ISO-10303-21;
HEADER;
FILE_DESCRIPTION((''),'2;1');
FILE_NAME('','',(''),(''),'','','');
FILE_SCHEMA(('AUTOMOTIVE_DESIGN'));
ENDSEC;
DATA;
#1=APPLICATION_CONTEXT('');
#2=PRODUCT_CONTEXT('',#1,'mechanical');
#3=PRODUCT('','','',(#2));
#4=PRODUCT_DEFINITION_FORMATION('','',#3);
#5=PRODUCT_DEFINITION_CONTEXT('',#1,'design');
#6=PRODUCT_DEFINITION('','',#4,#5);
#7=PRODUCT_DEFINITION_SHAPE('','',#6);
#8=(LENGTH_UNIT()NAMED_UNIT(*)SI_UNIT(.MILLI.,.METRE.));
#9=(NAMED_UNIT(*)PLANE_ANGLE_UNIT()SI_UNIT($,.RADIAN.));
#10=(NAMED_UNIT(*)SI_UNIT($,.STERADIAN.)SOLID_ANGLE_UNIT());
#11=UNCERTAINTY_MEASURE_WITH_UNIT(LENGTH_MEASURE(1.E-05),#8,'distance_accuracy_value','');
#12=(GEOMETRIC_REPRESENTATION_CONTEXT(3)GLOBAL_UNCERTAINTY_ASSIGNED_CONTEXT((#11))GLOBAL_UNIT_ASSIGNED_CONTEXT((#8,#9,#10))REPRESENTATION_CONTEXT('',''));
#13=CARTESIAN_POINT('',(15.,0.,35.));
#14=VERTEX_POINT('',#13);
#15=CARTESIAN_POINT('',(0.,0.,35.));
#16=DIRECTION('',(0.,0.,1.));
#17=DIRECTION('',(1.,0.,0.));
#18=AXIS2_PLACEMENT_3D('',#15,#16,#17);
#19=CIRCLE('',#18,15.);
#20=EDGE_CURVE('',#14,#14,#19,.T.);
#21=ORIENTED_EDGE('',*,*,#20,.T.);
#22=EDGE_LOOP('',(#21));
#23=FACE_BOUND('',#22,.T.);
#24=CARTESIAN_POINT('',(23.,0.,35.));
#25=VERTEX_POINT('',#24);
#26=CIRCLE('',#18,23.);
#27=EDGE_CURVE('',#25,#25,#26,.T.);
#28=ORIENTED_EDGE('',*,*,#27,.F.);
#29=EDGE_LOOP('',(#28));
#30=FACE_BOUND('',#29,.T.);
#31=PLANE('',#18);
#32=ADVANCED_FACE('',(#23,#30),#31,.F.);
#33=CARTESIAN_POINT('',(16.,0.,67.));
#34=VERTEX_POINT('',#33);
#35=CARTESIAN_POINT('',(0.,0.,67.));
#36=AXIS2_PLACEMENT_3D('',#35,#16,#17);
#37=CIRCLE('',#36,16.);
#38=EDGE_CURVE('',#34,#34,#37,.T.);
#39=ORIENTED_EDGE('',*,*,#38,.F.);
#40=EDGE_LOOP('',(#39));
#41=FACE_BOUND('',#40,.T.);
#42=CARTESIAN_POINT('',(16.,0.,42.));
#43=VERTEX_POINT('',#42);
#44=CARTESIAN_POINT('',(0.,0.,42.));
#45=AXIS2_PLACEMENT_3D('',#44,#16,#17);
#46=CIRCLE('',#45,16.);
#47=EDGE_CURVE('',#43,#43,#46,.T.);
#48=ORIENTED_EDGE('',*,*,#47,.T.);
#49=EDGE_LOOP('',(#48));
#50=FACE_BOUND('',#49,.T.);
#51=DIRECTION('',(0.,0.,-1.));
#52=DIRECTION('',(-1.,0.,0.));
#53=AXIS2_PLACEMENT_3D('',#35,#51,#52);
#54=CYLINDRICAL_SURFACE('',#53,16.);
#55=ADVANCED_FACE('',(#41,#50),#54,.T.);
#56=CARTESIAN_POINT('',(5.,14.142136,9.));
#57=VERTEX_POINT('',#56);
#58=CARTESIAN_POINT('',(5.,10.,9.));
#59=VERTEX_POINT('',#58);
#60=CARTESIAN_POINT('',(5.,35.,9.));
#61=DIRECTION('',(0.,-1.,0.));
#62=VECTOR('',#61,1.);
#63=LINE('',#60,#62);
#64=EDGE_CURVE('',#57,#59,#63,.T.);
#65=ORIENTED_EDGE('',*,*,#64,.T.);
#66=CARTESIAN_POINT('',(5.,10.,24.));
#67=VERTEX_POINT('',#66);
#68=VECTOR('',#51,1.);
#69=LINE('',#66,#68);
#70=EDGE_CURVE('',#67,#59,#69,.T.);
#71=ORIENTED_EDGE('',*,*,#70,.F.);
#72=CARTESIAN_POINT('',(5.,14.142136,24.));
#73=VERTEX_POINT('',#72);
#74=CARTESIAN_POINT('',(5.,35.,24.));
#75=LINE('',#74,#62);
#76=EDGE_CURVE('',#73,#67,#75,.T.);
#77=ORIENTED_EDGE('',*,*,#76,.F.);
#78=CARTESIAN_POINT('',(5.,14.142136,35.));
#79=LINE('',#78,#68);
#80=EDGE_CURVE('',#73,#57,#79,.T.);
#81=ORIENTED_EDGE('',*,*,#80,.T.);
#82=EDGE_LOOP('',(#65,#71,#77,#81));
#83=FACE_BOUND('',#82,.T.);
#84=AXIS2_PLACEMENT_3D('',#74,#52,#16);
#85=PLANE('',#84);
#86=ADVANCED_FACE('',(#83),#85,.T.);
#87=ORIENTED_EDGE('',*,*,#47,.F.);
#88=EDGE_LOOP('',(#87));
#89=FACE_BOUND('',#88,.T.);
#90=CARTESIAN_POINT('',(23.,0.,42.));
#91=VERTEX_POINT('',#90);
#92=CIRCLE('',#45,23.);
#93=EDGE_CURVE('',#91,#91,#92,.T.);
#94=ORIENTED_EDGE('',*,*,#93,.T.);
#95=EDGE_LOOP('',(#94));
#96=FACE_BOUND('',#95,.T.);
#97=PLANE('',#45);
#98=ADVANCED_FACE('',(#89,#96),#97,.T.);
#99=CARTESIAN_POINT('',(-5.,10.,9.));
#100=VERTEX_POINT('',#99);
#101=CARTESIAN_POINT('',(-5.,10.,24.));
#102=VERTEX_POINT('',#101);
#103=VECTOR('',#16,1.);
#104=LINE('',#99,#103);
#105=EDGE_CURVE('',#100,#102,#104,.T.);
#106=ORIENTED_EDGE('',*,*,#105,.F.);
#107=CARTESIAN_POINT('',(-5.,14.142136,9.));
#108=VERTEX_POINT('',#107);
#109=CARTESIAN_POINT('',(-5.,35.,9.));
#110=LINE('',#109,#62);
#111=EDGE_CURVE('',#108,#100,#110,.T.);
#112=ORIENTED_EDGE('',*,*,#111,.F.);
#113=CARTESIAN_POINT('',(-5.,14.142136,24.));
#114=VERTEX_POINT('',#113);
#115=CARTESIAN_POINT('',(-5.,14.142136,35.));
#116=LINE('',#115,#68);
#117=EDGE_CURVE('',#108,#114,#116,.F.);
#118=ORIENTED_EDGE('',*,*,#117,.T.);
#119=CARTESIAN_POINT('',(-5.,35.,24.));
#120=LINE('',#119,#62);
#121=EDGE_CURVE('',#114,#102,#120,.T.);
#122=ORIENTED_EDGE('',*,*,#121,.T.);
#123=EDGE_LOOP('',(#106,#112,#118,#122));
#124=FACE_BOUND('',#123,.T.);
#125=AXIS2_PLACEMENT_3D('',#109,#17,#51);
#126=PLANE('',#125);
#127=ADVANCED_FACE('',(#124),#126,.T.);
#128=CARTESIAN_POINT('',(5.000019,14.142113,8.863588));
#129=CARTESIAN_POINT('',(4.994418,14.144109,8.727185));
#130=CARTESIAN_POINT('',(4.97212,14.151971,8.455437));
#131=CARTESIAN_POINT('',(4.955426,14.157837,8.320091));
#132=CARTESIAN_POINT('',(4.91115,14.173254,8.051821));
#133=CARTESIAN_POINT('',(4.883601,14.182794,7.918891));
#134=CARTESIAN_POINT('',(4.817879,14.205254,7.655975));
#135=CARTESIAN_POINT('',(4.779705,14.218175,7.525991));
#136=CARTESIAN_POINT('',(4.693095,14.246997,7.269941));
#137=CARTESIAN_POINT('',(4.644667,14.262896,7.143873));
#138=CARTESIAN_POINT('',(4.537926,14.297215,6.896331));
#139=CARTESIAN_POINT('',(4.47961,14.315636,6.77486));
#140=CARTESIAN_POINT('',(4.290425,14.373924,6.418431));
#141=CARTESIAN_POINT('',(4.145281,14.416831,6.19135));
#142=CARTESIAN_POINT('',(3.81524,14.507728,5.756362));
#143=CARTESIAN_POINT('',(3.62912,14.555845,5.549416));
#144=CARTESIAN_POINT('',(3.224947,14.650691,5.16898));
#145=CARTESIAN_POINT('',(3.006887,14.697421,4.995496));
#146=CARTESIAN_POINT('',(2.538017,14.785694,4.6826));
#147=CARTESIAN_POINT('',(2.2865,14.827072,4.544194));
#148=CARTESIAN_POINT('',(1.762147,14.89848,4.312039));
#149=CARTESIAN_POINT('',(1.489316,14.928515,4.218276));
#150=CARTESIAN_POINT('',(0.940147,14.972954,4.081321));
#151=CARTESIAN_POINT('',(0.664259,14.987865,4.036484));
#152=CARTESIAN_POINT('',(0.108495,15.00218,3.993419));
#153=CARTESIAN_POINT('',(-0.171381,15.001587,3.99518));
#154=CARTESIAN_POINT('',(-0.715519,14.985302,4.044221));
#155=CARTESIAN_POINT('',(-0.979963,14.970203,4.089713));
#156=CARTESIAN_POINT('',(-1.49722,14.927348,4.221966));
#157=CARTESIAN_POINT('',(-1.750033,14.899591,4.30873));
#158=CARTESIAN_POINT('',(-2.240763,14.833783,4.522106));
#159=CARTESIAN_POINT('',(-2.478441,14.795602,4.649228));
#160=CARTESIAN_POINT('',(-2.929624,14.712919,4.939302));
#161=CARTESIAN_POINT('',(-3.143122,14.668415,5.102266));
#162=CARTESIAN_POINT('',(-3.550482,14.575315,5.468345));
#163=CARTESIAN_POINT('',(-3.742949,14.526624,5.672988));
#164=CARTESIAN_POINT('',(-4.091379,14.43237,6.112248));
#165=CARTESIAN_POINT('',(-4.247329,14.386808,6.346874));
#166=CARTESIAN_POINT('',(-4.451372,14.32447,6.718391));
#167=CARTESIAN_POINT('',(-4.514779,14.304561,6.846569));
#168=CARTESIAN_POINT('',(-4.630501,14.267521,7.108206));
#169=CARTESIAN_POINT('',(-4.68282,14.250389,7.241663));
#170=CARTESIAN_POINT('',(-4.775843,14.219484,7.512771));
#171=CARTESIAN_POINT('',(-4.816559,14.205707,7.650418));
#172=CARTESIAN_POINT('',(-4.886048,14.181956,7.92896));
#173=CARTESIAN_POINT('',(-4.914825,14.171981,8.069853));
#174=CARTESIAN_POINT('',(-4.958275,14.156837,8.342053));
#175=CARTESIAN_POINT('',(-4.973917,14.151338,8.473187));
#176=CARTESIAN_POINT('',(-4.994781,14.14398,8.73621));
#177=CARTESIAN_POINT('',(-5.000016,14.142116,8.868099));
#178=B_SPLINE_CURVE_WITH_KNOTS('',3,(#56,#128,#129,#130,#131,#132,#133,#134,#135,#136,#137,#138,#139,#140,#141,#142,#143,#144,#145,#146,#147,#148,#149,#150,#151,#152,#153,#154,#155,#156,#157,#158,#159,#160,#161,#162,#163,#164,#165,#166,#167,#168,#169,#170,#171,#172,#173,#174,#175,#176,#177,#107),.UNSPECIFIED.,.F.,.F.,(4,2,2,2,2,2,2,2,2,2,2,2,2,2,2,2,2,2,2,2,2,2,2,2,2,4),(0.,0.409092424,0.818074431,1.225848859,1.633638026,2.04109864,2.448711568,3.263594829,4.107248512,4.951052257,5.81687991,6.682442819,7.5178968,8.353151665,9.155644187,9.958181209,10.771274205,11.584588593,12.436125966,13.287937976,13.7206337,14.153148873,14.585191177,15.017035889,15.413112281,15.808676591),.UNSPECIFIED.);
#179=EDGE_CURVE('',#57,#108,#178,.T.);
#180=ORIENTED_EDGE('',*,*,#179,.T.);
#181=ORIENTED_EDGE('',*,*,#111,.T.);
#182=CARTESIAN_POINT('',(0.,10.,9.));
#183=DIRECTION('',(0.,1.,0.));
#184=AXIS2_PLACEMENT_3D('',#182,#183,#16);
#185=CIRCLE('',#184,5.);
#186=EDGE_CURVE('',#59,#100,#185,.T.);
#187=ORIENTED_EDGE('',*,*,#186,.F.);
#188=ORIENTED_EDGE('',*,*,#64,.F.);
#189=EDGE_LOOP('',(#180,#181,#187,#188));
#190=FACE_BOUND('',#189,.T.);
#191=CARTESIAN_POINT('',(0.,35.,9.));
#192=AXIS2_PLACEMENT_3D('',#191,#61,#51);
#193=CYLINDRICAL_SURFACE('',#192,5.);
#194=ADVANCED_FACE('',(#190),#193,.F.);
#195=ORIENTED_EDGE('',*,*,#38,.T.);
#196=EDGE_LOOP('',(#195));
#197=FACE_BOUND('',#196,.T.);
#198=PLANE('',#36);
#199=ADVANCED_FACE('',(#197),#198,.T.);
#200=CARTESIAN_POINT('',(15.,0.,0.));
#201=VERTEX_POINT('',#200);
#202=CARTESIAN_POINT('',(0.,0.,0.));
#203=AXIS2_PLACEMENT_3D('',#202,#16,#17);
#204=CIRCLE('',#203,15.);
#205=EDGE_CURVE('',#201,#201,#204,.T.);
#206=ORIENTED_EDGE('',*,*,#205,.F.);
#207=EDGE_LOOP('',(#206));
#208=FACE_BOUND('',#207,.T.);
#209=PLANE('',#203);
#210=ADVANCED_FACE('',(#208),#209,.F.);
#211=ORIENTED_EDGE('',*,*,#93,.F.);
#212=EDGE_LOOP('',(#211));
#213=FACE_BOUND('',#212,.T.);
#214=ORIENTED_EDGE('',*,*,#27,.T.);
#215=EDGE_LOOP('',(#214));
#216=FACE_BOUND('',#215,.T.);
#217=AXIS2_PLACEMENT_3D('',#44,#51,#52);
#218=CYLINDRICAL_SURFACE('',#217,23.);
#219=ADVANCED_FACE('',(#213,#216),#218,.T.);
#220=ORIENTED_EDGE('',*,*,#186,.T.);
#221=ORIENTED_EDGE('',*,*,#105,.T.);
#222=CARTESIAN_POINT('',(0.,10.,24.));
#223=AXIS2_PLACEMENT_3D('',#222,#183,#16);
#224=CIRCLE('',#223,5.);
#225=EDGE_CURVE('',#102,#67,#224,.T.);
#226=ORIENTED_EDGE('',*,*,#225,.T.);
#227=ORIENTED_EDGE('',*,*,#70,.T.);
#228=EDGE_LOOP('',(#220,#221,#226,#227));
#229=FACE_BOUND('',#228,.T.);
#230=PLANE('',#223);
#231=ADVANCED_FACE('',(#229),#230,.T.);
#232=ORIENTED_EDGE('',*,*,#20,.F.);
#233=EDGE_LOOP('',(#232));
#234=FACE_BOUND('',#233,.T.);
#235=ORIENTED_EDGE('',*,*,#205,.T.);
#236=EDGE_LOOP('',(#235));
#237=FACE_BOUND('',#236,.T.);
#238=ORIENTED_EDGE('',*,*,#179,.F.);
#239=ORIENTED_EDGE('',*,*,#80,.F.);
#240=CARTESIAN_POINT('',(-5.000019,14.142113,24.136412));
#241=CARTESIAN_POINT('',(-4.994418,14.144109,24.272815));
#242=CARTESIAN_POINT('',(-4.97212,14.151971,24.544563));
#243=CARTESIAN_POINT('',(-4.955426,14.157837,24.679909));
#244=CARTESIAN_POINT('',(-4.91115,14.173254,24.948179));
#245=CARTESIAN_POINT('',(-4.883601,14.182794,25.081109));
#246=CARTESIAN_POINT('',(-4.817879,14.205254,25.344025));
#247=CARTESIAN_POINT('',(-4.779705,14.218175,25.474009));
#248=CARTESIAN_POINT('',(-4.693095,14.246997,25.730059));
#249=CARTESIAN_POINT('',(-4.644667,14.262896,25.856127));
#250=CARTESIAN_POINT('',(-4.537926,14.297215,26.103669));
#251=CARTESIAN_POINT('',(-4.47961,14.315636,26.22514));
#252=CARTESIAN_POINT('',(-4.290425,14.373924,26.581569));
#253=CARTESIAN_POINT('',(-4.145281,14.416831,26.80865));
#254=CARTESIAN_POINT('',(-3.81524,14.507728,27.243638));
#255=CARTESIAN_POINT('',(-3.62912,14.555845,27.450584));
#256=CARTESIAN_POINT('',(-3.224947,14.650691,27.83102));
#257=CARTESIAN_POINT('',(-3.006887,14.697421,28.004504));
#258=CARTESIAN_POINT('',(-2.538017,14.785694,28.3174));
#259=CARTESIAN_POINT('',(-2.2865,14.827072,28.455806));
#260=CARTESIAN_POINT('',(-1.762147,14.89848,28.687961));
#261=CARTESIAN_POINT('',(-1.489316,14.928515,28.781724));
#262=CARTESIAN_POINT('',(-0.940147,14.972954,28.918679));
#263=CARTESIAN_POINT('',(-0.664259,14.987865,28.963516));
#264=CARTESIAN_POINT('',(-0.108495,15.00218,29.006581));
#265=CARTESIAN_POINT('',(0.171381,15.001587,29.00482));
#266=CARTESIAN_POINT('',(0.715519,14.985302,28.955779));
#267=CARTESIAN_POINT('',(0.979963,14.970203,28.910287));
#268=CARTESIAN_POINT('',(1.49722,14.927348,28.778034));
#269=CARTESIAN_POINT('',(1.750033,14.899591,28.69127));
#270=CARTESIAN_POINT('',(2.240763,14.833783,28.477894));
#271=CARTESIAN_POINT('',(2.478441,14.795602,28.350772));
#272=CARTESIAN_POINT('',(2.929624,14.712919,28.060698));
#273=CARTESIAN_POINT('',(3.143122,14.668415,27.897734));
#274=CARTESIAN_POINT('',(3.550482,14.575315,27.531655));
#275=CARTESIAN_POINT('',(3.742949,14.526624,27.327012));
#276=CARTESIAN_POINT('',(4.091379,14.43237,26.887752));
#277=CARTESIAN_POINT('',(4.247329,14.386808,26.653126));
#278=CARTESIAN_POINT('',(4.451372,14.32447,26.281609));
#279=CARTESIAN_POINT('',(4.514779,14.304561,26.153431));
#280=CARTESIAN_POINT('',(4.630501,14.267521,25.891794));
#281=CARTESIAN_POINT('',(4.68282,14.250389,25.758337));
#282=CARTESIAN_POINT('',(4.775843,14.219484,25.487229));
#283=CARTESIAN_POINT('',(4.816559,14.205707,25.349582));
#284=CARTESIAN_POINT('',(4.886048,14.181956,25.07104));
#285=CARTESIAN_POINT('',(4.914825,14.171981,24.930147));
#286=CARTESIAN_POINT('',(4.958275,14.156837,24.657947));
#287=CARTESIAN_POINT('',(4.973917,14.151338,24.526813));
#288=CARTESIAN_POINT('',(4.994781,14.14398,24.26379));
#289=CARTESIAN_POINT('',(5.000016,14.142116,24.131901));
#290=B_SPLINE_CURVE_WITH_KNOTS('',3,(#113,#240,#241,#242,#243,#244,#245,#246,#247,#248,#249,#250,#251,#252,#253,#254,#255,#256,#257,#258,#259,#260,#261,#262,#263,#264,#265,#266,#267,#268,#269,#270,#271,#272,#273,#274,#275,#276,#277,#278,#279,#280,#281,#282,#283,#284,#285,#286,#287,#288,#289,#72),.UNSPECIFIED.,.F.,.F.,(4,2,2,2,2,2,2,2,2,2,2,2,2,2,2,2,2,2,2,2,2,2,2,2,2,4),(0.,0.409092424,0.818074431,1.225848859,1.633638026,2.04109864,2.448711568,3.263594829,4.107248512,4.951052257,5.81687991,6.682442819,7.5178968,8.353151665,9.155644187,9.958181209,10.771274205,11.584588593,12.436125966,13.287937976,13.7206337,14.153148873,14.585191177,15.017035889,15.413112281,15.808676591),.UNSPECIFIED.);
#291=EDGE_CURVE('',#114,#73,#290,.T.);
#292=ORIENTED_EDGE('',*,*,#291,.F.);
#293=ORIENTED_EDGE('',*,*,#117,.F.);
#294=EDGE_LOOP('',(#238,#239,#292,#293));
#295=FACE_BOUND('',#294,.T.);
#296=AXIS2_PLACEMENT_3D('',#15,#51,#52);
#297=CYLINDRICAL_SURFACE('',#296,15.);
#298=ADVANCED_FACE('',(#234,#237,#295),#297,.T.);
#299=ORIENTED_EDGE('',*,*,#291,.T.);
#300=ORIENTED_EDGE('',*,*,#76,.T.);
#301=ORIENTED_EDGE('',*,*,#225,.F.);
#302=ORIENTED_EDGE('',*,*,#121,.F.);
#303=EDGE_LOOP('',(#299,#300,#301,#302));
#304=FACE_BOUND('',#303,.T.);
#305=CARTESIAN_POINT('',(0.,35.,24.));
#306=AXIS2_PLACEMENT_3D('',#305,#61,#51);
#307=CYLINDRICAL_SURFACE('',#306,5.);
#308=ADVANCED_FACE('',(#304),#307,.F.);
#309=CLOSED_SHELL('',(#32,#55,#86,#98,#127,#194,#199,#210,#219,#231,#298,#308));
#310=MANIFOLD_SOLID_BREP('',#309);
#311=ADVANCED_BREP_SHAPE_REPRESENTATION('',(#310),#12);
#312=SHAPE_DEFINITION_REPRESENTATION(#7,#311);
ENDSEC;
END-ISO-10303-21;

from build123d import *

# Parameters (mm, degrees)
SKETCH1_R           = 15
BOSS_EXTRUDE1_DEPTH = 35
SKETCH2_R           = 23
BOSS_EXTRUDE2_DEPTH = 7
SKETCH3_R           = 16
BOSS_EXTRUDE3_DEPTH = 25
CUT_EXTRUDE1_DEPTH  = 25


with BuildPart() as part:
    # Sketch1 → Boss-Extrude1 (new body)
    with BuildSketch(Plane.XY):
        Circle(SKETCH1_R)
    extrude(amount=BOSS_EXTRUDE1_DEPTH)

    # Sketch2 → Boss-Extrude2 (add)
    with BuildSketch(Plane.XY.offset(35)):
        Circle(SKETCH2_R)
    extrude(amount=BOSS_EXTRUDE2_DEPTH)

    # Sketch3 → Boss-Extrude3 (add)
    with BuildSketch(Plane.XY.offset(42)):
        Circle(SKETCH3_R)
    extrude(amount=BOSS_EXTRUDE3_DEPTH)

    # Sketch4 → Cut-Extrude1 (cut)
    with BuildSketch(Plane(origin=(0, 10, 0), x_dir=(1, 0, 0), z_dir=(0, 1, 0))):
        with BuildLine():
            Line((5, -24), (5, -9))
            ThreePointArc((5, -9), (0, -4), (-5, -9))
            Line((-5, -9), (-5, -24))
            ThreePointArc((-5, -24), (0, -29), (5, -24))
        make_face()
    extrude(amount=CUT_EXTRUDE1_DEPTH, mode=Mode.SUBTRACT)


solid = part.part
